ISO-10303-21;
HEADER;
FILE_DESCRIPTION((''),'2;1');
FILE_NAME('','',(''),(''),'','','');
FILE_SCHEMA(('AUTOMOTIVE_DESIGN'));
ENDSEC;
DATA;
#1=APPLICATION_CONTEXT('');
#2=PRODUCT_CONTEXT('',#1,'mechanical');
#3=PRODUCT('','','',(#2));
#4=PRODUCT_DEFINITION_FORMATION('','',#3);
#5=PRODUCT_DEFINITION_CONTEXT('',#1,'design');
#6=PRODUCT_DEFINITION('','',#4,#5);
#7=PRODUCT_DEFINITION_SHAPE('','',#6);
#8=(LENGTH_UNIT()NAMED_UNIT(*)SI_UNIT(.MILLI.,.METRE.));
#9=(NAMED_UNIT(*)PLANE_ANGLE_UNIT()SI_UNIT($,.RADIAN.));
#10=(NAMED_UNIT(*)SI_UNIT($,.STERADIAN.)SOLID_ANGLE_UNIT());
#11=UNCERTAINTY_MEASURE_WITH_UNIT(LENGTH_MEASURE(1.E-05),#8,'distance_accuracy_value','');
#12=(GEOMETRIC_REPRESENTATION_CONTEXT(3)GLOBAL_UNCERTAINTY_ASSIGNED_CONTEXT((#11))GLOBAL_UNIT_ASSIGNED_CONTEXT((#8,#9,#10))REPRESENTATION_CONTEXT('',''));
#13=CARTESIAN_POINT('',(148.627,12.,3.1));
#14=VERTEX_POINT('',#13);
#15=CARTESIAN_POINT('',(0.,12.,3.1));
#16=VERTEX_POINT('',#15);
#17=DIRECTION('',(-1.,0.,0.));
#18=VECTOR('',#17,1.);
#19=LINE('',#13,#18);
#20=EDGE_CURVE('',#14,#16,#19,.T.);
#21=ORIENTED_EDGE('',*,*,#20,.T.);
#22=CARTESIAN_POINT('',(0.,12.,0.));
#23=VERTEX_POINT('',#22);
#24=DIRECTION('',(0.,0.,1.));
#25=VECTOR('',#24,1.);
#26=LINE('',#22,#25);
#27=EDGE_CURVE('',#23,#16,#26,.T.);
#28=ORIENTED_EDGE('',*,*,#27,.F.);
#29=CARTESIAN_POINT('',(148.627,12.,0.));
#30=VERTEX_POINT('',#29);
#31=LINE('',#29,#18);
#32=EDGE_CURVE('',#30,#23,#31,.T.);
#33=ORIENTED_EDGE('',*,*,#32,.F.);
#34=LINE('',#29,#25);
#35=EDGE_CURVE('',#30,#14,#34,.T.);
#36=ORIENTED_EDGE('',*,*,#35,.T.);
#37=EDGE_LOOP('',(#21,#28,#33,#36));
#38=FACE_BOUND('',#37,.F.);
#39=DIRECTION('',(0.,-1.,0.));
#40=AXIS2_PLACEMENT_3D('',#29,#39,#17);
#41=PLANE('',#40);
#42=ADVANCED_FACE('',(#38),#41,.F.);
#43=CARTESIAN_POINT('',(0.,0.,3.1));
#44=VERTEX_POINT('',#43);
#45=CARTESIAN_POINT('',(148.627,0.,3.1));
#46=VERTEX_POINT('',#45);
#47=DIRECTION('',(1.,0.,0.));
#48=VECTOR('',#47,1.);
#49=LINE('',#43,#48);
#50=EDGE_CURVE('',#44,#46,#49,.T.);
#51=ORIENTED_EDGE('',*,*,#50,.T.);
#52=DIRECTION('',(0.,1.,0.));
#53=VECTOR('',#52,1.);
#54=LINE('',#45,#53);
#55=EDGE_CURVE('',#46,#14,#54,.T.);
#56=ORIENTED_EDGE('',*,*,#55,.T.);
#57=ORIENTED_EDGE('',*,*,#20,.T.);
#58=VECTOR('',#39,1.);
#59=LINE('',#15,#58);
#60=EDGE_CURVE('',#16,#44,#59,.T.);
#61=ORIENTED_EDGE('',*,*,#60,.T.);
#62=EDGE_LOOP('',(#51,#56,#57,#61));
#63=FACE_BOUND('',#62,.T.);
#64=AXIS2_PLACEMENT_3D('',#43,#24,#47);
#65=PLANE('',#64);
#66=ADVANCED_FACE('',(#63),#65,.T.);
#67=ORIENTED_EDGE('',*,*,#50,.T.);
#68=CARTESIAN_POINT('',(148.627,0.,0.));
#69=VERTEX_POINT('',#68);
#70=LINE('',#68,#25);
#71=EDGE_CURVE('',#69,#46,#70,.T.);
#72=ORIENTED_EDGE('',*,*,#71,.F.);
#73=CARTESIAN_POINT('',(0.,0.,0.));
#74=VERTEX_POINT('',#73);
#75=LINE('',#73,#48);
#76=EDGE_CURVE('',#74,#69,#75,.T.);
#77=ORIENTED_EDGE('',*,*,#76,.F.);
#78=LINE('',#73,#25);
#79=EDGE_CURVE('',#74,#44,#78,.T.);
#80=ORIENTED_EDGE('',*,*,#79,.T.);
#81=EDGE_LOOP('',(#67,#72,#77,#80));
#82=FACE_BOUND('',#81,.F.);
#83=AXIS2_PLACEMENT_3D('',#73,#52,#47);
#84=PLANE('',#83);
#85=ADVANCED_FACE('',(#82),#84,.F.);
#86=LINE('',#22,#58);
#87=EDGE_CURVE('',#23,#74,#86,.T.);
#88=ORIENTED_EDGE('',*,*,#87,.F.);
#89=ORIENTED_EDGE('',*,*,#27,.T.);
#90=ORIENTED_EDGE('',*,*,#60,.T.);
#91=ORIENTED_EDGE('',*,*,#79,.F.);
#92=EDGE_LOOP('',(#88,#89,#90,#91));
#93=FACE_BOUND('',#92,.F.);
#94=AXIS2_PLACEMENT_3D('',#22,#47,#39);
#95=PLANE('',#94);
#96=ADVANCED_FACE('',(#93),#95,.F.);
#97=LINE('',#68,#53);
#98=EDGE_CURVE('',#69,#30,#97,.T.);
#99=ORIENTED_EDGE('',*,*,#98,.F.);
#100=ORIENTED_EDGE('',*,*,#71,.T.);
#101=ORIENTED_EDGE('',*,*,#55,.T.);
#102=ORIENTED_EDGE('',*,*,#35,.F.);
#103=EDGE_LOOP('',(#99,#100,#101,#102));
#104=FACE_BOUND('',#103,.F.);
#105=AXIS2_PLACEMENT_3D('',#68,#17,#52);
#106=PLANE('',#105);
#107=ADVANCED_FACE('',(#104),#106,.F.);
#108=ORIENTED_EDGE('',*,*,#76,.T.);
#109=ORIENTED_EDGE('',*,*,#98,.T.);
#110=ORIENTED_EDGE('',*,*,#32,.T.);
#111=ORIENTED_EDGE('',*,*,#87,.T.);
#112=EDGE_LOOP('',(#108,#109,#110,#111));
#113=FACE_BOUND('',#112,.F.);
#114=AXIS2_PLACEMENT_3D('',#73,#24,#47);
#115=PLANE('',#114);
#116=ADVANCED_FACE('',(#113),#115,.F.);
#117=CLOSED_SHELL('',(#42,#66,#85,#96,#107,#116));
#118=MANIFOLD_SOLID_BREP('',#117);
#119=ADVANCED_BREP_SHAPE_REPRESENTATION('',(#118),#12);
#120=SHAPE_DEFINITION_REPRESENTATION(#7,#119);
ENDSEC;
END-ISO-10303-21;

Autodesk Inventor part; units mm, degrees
ref_plane "YZ Plane" through (0, 0, 0) normal (1, 0, 0) x (0, 1, 0)
ref_plane "XZ Plane" through (0, 0, 0) normal (0, 1, 0) x (-1, 0, 0)
ref_plane "XY Plane" through (0, 0, 0) normal (0, 0, 1) x (1, 0, 0)
sketch "Sketch1" plane through (0, 0, 0) normal (0, 0, 1) x (1, 0, 0)
  line L0 (0, 0) -> (148.627, 0)
  line L1 (148.627, 0) -> (148.627, 12)
  line L2 (148.627, 12) -> (0, 12)
  line L3 (0, 12) -> (0, 0)
  dimension "d0" = 148.627
  dimension "d1" = 12
extrude "Extrusion1" add sketch "Sketch1" along normal blind 3.1
properties part number "Riel cremallera p2"
